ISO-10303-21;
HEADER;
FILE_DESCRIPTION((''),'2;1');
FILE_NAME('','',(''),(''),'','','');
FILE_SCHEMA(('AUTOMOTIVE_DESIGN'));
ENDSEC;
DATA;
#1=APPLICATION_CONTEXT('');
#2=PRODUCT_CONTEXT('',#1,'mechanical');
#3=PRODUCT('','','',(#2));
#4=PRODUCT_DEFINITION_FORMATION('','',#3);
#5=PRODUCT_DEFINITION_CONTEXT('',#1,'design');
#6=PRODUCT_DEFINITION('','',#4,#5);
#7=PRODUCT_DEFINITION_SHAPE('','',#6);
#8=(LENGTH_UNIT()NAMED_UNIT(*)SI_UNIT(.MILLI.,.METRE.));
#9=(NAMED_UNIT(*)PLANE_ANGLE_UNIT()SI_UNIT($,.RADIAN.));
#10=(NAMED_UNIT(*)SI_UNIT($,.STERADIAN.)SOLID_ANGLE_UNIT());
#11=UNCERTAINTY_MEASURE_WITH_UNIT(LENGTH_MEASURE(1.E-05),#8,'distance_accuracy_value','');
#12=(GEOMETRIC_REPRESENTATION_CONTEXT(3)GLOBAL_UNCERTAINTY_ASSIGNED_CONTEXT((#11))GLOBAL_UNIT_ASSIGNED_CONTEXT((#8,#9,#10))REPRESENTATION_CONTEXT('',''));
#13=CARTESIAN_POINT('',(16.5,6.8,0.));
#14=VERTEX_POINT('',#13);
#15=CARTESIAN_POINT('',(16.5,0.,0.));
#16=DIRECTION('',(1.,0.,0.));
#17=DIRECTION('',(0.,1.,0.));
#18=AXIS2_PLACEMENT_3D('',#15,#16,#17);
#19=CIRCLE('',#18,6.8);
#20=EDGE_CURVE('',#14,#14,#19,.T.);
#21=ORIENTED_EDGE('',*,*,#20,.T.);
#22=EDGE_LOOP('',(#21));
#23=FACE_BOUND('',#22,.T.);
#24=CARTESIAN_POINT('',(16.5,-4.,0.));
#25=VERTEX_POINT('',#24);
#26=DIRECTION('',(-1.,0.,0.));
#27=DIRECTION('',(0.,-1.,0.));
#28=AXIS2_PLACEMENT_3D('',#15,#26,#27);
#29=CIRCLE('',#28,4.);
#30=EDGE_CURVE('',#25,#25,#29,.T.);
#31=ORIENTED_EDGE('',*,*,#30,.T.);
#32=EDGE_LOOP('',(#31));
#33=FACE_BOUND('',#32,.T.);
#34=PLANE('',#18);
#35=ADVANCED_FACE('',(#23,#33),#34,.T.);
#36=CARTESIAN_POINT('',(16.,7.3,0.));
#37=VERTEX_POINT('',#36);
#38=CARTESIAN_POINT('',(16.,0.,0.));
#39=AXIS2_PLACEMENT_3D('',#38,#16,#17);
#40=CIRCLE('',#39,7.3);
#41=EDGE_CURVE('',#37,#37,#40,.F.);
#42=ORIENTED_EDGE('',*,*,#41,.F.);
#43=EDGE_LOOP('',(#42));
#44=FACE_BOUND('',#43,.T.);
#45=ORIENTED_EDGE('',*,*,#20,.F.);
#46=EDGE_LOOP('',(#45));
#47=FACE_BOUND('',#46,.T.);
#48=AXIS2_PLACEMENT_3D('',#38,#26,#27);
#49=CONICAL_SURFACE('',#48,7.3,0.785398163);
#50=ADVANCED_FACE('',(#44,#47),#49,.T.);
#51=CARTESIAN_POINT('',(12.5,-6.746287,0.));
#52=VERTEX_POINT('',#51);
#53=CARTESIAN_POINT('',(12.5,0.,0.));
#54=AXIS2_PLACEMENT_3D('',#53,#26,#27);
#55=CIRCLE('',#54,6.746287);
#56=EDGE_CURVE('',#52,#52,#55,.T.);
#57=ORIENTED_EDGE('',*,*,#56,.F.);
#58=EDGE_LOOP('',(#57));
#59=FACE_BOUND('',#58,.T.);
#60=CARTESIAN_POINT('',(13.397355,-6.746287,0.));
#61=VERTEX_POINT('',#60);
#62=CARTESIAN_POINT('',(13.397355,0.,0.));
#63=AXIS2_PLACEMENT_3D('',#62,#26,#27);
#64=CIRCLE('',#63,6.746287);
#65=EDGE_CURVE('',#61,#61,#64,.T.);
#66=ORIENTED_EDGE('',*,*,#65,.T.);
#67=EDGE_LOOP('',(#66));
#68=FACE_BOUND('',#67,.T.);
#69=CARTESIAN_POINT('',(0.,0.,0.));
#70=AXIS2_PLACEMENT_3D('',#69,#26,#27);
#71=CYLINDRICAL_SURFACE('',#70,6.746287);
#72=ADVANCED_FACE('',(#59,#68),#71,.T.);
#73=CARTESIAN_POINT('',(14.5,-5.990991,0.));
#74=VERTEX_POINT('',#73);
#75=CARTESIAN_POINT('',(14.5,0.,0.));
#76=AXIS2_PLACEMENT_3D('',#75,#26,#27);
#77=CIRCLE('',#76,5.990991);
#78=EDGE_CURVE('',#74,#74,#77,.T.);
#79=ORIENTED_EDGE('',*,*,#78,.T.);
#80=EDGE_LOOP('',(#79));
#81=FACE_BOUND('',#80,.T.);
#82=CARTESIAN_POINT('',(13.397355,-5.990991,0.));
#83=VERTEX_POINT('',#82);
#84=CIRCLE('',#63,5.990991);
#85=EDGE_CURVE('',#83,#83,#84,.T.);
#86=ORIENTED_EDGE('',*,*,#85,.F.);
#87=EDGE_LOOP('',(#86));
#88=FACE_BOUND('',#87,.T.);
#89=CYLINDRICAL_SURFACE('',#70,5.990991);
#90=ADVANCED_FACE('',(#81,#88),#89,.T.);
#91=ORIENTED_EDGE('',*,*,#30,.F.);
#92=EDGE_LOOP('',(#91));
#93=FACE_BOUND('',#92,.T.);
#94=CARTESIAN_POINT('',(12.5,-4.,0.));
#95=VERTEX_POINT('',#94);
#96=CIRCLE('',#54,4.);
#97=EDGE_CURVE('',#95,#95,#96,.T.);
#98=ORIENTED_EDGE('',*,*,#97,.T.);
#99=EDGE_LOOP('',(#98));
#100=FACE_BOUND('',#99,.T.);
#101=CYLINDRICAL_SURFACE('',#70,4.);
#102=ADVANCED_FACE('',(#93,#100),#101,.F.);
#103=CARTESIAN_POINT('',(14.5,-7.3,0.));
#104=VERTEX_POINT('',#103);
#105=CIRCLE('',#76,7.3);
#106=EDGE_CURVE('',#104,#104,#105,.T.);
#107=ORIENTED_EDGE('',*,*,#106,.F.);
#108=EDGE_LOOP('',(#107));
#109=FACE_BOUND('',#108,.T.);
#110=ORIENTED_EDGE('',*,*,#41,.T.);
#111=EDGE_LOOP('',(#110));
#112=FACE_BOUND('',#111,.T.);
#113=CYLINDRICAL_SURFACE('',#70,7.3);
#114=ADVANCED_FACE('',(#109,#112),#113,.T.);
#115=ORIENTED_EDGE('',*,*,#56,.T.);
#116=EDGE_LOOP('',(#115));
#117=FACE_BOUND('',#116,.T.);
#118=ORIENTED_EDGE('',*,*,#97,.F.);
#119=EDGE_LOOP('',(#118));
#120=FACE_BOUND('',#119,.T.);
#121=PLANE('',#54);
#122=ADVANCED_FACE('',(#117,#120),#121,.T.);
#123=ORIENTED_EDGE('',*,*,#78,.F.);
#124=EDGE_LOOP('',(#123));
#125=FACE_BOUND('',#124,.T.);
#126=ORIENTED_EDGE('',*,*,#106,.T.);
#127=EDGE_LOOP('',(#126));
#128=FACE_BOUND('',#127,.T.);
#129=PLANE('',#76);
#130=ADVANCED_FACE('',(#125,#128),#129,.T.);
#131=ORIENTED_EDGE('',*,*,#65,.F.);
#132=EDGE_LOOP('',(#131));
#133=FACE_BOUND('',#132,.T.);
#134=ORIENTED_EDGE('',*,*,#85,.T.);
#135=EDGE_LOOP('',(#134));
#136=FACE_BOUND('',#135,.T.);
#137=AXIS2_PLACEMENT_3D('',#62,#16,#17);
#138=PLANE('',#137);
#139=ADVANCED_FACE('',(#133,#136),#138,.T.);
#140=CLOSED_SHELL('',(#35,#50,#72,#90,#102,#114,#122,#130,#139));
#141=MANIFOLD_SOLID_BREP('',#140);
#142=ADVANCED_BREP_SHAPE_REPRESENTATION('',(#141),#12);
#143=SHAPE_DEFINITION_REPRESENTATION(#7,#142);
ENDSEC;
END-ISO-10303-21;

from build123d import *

# Parameters (mm, degrees)
CHAMFER_1_SIZE = 0.5


with BuildPart() as part:
    # Эскиз2 → Повернуть1 (revolve)
    with BuildSketch(Plane.XY, mode=Mode.PRIVATE) as revolve_1_sk:
        Polygon((14.5, 5.990991269), (14.5, 7.3), (16.5, 7.3), (16.5, 4), (12.5, 4), (12.5, 4.990991269), (12.5, 6.746286905), (13.39735467, 6.746286905), (13.39735467, 5.990991269), align=None)
    revolve(revolve_1_sk.sketch.rotate(Axis((0, 0, 0), (1, 0, 0)), 180), axis=Axis((0, 0, 0), (1, 0, 0)))

    # Фаска1
    chamfer_1_edges = [part.edges().sort_by_distance(p)[0] for p in [
        (16.5, 7.3, 0),
    ]]
    chamfer(chamfer_1_edges, length=CHAMFER_1_SIZE)


solid = part.part
